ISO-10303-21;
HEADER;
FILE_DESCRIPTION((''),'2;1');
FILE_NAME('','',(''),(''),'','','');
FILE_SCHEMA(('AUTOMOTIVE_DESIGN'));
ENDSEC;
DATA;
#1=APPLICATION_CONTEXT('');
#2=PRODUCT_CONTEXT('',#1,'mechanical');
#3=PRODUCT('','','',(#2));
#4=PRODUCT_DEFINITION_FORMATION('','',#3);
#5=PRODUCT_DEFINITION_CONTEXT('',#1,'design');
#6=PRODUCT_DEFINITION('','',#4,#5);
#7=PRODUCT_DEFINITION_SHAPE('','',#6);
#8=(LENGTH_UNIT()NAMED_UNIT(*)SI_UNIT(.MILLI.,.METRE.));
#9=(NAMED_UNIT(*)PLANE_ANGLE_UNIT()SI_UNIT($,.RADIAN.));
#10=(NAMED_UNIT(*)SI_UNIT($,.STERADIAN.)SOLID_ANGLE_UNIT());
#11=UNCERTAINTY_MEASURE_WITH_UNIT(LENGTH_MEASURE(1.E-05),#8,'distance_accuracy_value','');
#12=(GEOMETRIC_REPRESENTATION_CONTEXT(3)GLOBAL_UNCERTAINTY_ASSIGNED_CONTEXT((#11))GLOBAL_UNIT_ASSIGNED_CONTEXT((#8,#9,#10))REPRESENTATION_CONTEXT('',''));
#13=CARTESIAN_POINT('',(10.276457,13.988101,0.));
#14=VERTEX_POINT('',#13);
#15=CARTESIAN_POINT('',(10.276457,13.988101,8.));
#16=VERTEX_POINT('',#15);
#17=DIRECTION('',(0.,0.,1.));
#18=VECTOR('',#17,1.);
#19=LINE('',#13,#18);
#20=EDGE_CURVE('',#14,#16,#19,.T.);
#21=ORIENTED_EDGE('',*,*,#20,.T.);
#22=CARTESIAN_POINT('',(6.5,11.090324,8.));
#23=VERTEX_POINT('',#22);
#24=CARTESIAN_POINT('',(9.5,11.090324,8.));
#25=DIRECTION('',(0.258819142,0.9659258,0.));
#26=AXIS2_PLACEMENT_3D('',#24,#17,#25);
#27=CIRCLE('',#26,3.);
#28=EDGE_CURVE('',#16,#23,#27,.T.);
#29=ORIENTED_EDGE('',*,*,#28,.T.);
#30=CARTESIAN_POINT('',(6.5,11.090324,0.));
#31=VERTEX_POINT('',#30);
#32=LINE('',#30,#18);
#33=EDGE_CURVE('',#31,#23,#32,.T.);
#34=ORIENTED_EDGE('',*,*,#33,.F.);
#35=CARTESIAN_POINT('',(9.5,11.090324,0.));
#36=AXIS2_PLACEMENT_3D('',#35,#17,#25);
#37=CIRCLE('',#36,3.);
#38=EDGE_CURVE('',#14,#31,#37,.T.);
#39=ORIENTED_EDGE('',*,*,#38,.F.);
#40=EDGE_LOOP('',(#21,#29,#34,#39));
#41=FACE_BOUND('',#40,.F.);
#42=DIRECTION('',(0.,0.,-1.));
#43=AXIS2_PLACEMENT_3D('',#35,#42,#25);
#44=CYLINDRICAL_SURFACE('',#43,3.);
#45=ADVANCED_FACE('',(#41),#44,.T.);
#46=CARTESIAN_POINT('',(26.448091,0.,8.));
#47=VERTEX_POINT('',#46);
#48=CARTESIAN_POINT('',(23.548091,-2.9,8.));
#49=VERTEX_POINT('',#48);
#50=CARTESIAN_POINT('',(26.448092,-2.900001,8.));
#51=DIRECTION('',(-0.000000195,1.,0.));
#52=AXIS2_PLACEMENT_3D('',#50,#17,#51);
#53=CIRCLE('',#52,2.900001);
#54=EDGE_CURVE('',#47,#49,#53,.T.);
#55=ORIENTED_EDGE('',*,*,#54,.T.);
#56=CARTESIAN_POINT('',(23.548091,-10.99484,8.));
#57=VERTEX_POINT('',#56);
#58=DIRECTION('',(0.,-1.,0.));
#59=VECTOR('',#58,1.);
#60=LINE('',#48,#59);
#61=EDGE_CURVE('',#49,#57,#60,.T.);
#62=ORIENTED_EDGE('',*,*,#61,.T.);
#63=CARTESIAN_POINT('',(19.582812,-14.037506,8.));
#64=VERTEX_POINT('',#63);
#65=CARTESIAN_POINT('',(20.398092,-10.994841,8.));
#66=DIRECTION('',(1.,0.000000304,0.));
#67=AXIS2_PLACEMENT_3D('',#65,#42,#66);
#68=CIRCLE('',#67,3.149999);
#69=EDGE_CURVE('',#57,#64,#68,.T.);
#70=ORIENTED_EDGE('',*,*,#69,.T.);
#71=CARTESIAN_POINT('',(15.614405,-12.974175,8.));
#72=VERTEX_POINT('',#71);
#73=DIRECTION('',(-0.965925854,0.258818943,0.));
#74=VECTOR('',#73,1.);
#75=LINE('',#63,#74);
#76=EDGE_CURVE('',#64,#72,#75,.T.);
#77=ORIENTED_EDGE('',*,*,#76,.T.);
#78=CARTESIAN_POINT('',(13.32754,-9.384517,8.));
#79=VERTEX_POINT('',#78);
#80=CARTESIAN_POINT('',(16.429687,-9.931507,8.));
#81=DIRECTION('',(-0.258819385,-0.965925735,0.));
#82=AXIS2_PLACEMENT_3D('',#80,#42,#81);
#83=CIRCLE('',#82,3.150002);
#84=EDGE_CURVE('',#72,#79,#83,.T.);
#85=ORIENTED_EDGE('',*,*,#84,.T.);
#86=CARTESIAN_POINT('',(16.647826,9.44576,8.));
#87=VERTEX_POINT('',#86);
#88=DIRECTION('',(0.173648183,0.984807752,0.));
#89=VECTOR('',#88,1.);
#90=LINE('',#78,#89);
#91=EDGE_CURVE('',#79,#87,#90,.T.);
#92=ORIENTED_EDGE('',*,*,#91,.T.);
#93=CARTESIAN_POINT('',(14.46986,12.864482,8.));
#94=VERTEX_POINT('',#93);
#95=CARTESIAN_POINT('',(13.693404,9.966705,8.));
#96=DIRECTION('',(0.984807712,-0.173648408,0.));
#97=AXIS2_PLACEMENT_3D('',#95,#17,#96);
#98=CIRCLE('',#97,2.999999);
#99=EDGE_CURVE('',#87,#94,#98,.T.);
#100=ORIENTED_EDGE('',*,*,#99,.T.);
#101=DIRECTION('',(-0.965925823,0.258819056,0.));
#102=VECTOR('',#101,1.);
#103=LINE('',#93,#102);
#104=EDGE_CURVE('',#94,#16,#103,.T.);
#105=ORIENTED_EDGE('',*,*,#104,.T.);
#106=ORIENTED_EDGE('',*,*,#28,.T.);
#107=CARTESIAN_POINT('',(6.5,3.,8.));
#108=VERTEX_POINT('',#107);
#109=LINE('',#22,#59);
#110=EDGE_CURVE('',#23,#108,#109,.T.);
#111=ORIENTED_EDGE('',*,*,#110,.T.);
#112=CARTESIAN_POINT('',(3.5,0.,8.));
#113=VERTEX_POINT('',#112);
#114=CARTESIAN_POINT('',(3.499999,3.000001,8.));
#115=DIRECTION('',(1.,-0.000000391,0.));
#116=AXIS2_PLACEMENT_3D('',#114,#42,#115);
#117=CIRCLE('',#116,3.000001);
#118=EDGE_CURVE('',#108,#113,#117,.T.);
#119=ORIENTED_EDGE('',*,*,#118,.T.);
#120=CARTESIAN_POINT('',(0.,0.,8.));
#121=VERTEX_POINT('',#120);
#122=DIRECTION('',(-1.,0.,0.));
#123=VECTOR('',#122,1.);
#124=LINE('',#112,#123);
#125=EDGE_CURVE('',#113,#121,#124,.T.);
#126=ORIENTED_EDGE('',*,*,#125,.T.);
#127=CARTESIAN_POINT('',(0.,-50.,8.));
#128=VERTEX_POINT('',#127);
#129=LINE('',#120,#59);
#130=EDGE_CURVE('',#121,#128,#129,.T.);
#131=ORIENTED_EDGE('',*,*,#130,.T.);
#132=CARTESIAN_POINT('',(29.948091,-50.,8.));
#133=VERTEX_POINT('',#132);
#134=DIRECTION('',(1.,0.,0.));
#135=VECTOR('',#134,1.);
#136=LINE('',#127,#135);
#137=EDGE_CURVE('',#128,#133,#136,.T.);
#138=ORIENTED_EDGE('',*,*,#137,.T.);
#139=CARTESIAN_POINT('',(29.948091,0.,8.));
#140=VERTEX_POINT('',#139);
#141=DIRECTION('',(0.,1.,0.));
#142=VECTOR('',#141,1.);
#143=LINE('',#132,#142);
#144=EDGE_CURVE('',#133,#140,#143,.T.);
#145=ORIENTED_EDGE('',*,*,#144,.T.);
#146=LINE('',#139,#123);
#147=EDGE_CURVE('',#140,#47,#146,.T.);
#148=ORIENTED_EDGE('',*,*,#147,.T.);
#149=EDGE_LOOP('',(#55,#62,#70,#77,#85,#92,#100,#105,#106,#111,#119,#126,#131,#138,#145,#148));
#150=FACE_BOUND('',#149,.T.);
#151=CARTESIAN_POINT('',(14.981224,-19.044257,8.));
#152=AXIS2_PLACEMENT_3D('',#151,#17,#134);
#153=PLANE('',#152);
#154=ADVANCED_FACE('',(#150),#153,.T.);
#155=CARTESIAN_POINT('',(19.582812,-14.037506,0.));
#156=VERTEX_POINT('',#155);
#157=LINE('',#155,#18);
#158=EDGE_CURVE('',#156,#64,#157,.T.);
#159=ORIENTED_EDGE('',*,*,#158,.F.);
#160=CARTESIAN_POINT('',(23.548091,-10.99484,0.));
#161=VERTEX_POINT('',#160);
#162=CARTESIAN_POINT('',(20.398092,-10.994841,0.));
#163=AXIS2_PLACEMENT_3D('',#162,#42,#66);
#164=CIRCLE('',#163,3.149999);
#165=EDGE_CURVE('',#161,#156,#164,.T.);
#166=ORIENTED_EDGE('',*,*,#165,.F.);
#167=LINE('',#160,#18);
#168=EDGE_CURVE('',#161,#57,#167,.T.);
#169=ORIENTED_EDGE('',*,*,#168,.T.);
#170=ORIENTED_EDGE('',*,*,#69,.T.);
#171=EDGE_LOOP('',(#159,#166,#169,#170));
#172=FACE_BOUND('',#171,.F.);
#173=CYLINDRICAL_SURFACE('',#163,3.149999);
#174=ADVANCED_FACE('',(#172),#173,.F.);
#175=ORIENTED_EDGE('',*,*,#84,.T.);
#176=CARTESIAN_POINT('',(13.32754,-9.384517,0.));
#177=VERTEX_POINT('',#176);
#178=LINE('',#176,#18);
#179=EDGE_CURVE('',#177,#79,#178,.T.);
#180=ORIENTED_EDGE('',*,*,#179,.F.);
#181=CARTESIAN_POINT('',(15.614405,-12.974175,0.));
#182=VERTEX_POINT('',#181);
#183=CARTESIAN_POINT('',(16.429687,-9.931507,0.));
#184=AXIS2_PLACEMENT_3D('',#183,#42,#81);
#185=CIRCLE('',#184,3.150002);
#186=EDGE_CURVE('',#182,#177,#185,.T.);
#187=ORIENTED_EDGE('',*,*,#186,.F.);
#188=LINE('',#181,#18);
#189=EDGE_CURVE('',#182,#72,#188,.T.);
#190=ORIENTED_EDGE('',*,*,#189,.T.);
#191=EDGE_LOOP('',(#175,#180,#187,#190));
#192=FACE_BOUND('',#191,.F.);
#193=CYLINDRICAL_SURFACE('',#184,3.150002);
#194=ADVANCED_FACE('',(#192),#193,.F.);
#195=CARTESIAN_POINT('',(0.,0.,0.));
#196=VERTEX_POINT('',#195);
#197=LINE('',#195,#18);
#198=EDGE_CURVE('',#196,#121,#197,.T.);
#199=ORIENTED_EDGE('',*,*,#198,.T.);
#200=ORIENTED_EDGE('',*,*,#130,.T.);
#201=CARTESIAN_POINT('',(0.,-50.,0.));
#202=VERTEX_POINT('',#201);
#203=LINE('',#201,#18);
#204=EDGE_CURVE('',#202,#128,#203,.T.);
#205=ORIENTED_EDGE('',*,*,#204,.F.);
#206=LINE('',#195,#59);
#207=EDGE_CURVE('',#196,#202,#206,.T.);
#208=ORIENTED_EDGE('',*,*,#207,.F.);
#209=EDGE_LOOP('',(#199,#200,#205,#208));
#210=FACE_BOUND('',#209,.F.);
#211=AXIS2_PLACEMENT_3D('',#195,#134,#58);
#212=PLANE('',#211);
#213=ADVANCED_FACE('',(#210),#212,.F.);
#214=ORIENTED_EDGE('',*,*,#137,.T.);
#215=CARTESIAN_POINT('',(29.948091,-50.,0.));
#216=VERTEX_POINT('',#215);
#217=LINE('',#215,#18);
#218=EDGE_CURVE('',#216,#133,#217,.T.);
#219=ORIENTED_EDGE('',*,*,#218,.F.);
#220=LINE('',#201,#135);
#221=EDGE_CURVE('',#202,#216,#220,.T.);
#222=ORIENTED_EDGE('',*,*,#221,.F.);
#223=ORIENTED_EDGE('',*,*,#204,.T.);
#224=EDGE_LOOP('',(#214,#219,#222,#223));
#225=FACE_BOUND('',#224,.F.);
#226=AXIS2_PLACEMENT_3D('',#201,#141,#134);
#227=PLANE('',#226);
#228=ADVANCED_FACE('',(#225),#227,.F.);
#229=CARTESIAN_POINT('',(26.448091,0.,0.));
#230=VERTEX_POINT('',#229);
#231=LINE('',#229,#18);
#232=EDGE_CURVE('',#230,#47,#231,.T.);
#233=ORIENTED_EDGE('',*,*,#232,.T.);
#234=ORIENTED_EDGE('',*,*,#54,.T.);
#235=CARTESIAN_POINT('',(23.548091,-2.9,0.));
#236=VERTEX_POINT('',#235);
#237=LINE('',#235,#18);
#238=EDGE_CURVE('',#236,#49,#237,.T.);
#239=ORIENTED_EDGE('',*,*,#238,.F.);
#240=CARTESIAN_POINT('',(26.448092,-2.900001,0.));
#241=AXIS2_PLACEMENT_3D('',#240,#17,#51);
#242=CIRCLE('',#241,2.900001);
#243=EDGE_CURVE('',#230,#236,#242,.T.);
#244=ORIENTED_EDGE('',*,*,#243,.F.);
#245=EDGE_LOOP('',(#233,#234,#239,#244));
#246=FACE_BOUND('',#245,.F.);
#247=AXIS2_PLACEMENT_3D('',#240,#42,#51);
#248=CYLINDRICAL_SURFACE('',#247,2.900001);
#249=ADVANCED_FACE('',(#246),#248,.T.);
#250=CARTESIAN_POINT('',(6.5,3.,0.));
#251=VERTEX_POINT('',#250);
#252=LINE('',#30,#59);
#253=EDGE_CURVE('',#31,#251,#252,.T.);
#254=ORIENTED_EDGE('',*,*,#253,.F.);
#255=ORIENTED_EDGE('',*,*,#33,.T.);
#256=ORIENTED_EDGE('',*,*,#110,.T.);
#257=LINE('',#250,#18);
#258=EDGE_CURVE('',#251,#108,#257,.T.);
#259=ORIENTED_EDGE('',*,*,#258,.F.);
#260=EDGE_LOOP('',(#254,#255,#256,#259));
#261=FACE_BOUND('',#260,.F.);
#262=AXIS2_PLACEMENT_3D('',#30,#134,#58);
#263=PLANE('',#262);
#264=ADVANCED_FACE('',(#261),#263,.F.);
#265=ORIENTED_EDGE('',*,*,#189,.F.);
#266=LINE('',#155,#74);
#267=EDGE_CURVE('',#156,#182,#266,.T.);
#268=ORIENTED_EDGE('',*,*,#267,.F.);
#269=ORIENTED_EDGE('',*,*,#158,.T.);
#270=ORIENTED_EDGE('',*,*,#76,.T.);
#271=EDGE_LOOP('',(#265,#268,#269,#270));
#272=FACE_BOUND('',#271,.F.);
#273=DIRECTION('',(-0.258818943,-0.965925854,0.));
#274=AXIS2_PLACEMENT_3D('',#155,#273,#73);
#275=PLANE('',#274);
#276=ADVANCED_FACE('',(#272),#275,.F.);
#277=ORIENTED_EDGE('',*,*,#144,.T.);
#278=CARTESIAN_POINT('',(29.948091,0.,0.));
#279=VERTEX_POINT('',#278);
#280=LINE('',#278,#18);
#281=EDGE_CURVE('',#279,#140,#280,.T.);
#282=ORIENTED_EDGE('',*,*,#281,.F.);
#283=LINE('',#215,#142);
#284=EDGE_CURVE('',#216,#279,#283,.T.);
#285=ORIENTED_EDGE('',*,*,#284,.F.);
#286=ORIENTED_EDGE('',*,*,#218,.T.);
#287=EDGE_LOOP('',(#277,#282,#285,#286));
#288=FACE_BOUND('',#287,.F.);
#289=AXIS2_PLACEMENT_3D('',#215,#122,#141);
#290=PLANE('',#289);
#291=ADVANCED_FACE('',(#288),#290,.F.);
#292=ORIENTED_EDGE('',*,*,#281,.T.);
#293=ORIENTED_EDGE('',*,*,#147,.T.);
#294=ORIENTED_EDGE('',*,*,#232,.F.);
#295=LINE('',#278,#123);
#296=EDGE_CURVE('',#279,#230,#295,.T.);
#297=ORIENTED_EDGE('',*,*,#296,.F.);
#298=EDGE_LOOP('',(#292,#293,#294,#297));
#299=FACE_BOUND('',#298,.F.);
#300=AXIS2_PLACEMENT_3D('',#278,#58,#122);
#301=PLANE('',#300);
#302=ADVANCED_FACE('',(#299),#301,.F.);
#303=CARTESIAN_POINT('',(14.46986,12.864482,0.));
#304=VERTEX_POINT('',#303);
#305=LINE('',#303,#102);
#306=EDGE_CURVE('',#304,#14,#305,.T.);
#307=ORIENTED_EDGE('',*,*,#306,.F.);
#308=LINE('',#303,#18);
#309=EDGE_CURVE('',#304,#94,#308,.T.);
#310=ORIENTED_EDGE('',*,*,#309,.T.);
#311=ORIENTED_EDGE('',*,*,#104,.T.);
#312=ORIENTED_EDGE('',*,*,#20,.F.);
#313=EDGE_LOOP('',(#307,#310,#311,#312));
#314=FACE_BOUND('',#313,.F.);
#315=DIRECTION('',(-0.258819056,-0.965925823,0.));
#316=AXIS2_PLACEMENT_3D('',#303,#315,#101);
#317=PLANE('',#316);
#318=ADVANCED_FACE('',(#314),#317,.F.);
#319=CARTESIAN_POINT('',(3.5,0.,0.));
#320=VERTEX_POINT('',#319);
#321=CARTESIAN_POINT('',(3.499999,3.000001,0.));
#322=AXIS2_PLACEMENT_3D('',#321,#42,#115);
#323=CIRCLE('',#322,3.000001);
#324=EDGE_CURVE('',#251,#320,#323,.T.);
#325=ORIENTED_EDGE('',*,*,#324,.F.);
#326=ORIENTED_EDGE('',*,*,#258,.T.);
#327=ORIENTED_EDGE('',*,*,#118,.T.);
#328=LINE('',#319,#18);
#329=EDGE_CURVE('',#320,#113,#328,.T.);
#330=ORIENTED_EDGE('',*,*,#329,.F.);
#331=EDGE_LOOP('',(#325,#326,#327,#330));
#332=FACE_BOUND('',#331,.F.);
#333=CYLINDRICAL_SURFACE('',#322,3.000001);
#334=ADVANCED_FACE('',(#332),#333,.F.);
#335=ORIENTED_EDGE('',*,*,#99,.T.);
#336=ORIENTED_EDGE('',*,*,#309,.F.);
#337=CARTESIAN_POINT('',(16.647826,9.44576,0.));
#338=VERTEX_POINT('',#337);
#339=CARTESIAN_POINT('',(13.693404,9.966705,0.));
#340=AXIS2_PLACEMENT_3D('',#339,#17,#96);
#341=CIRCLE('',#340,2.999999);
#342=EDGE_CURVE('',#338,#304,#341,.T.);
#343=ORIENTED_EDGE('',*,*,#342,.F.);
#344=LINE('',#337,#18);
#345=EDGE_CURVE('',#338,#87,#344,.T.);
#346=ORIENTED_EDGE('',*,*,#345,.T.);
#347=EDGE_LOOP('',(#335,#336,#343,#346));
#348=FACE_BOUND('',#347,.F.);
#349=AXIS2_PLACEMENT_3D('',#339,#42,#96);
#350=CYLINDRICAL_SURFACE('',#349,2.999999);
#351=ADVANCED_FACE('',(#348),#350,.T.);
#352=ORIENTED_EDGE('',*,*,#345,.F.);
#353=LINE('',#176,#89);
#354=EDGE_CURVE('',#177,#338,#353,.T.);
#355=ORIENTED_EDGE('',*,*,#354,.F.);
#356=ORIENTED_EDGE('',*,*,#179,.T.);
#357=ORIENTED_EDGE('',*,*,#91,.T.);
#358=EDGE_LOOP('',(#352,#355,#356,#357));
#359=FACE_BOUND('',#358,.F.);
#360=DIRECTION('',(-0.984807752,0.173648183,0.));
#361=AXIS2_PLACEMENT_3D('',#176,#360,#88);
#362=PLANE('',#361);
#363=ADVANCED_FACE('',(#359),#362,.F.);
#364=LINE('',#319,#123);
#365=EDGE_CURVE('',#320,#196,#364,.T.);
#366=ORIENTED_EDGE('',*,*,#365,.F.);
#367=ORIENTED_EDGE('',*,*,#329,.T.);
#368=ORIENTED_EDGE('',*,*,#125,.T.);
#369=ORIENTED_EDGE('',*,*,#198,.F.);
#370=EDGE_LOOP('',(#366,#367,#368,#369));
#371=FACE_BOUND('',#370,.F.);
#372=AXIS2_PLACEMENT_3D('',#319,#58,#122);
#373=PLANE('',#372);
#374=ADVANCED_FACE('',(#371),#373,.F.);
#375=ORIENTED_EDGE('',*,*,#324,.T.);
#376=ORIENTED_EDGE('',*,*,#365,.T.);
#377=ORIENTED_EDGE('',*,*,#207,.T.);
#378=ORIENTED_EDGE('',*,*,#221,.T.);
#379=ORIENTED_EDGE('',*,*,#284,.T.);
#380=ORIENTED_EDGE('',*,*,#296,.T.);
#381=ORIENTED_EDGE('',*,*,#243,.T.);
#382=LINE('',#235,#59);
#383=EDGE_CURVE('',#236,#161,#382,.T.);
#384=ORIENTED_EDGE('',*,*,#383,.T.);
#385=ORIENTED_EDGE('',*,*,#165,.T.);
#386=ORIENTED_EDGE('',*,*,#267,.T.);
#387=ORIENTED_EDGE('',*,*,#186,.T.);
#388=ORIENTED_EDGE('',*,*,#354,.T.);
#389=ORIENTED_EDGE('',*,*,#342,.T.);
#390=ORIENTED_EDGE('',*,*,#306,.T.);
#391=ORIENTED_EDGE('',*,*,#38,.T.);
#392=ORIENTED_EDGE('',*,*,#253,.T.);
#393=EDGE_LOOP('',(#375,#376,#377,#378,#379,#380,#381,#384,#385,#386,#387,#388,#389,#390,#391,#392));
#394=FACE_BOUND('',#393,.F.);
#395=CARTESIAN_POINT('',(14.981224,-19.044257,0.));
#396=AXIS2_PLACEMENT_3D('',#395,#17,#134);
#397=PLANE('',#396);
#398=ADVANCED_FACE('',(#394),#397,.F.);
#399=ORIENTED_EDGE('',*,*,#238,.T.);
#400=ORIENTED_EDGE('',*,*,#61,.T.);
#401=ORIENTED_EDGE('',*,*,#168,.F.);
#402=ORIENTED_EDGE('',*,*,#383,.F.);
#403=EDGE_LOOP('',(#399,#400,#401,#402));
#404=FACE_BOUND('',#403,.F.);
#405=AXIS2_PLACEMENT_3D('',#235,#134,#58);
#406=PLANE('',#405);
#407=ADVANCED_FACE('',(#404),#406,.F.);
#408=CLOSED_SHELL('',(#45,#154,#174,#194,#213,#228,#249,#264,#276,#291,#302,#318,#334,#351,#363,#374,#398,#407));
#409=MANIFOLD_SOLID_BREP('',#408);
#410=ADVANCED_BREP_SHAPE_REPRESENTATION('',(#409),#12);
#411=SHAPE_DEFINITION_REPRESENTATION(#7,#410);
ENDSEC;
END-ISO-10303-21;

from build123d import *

# Parameters (mm, degrees)
F1_DEPTH = 8


with BuildPart() as f1:
    # F0 (on Top) → F1 (new body)
    with BuildSketch(Plane.XY):
        with BuildLine():
            Line((3.5, 0), (0, 0))
            Line((0, 0), (0, -50))
            Line((0, -50), (29.948091, -50))
            Line((29.948091, -50), (29.948091, 0))
            Line((29.948091, 0), (26.448091, 0))
            ThreePointArc((26.448091, 0), (24.397482, -0.84939), (23.548091, -2.9))
            Line((23.548091, -2.9), (23.548091, -10.99484))
            ThreePointArc((23.548091, -10.99484), (22.31569, -13.493903), (19.582812, -14.037506))
            Line((19.582812, -14.037506), (15.614405, -12.974175))
            ThreePointArc((15.614405, -12.974175), (13.773002, -11.624002), (13.32754, -9.384517))
            Line((13.32754, -9.384517), (16.647826, 9.44576))
            ThreePointArc((16.647826, 9.44576), (16.223577, 11.578604), (14.46986, 12.864482))
            Line((14.46986, 12.864482), (10.276457, 13.988101))
            ThreePointArc((10.276457, 13.988101), (7.673716, 13.470384), (6.5, 11.090324))
            Line((6.5, 11.090324), (6.5, 3))
            ThreePointArc((6.5, 3), (5.62132, 0.87868), (3.5, 0))
        make_face()
    extrude(amount=F1_DEPTH)


solid = f1.part
